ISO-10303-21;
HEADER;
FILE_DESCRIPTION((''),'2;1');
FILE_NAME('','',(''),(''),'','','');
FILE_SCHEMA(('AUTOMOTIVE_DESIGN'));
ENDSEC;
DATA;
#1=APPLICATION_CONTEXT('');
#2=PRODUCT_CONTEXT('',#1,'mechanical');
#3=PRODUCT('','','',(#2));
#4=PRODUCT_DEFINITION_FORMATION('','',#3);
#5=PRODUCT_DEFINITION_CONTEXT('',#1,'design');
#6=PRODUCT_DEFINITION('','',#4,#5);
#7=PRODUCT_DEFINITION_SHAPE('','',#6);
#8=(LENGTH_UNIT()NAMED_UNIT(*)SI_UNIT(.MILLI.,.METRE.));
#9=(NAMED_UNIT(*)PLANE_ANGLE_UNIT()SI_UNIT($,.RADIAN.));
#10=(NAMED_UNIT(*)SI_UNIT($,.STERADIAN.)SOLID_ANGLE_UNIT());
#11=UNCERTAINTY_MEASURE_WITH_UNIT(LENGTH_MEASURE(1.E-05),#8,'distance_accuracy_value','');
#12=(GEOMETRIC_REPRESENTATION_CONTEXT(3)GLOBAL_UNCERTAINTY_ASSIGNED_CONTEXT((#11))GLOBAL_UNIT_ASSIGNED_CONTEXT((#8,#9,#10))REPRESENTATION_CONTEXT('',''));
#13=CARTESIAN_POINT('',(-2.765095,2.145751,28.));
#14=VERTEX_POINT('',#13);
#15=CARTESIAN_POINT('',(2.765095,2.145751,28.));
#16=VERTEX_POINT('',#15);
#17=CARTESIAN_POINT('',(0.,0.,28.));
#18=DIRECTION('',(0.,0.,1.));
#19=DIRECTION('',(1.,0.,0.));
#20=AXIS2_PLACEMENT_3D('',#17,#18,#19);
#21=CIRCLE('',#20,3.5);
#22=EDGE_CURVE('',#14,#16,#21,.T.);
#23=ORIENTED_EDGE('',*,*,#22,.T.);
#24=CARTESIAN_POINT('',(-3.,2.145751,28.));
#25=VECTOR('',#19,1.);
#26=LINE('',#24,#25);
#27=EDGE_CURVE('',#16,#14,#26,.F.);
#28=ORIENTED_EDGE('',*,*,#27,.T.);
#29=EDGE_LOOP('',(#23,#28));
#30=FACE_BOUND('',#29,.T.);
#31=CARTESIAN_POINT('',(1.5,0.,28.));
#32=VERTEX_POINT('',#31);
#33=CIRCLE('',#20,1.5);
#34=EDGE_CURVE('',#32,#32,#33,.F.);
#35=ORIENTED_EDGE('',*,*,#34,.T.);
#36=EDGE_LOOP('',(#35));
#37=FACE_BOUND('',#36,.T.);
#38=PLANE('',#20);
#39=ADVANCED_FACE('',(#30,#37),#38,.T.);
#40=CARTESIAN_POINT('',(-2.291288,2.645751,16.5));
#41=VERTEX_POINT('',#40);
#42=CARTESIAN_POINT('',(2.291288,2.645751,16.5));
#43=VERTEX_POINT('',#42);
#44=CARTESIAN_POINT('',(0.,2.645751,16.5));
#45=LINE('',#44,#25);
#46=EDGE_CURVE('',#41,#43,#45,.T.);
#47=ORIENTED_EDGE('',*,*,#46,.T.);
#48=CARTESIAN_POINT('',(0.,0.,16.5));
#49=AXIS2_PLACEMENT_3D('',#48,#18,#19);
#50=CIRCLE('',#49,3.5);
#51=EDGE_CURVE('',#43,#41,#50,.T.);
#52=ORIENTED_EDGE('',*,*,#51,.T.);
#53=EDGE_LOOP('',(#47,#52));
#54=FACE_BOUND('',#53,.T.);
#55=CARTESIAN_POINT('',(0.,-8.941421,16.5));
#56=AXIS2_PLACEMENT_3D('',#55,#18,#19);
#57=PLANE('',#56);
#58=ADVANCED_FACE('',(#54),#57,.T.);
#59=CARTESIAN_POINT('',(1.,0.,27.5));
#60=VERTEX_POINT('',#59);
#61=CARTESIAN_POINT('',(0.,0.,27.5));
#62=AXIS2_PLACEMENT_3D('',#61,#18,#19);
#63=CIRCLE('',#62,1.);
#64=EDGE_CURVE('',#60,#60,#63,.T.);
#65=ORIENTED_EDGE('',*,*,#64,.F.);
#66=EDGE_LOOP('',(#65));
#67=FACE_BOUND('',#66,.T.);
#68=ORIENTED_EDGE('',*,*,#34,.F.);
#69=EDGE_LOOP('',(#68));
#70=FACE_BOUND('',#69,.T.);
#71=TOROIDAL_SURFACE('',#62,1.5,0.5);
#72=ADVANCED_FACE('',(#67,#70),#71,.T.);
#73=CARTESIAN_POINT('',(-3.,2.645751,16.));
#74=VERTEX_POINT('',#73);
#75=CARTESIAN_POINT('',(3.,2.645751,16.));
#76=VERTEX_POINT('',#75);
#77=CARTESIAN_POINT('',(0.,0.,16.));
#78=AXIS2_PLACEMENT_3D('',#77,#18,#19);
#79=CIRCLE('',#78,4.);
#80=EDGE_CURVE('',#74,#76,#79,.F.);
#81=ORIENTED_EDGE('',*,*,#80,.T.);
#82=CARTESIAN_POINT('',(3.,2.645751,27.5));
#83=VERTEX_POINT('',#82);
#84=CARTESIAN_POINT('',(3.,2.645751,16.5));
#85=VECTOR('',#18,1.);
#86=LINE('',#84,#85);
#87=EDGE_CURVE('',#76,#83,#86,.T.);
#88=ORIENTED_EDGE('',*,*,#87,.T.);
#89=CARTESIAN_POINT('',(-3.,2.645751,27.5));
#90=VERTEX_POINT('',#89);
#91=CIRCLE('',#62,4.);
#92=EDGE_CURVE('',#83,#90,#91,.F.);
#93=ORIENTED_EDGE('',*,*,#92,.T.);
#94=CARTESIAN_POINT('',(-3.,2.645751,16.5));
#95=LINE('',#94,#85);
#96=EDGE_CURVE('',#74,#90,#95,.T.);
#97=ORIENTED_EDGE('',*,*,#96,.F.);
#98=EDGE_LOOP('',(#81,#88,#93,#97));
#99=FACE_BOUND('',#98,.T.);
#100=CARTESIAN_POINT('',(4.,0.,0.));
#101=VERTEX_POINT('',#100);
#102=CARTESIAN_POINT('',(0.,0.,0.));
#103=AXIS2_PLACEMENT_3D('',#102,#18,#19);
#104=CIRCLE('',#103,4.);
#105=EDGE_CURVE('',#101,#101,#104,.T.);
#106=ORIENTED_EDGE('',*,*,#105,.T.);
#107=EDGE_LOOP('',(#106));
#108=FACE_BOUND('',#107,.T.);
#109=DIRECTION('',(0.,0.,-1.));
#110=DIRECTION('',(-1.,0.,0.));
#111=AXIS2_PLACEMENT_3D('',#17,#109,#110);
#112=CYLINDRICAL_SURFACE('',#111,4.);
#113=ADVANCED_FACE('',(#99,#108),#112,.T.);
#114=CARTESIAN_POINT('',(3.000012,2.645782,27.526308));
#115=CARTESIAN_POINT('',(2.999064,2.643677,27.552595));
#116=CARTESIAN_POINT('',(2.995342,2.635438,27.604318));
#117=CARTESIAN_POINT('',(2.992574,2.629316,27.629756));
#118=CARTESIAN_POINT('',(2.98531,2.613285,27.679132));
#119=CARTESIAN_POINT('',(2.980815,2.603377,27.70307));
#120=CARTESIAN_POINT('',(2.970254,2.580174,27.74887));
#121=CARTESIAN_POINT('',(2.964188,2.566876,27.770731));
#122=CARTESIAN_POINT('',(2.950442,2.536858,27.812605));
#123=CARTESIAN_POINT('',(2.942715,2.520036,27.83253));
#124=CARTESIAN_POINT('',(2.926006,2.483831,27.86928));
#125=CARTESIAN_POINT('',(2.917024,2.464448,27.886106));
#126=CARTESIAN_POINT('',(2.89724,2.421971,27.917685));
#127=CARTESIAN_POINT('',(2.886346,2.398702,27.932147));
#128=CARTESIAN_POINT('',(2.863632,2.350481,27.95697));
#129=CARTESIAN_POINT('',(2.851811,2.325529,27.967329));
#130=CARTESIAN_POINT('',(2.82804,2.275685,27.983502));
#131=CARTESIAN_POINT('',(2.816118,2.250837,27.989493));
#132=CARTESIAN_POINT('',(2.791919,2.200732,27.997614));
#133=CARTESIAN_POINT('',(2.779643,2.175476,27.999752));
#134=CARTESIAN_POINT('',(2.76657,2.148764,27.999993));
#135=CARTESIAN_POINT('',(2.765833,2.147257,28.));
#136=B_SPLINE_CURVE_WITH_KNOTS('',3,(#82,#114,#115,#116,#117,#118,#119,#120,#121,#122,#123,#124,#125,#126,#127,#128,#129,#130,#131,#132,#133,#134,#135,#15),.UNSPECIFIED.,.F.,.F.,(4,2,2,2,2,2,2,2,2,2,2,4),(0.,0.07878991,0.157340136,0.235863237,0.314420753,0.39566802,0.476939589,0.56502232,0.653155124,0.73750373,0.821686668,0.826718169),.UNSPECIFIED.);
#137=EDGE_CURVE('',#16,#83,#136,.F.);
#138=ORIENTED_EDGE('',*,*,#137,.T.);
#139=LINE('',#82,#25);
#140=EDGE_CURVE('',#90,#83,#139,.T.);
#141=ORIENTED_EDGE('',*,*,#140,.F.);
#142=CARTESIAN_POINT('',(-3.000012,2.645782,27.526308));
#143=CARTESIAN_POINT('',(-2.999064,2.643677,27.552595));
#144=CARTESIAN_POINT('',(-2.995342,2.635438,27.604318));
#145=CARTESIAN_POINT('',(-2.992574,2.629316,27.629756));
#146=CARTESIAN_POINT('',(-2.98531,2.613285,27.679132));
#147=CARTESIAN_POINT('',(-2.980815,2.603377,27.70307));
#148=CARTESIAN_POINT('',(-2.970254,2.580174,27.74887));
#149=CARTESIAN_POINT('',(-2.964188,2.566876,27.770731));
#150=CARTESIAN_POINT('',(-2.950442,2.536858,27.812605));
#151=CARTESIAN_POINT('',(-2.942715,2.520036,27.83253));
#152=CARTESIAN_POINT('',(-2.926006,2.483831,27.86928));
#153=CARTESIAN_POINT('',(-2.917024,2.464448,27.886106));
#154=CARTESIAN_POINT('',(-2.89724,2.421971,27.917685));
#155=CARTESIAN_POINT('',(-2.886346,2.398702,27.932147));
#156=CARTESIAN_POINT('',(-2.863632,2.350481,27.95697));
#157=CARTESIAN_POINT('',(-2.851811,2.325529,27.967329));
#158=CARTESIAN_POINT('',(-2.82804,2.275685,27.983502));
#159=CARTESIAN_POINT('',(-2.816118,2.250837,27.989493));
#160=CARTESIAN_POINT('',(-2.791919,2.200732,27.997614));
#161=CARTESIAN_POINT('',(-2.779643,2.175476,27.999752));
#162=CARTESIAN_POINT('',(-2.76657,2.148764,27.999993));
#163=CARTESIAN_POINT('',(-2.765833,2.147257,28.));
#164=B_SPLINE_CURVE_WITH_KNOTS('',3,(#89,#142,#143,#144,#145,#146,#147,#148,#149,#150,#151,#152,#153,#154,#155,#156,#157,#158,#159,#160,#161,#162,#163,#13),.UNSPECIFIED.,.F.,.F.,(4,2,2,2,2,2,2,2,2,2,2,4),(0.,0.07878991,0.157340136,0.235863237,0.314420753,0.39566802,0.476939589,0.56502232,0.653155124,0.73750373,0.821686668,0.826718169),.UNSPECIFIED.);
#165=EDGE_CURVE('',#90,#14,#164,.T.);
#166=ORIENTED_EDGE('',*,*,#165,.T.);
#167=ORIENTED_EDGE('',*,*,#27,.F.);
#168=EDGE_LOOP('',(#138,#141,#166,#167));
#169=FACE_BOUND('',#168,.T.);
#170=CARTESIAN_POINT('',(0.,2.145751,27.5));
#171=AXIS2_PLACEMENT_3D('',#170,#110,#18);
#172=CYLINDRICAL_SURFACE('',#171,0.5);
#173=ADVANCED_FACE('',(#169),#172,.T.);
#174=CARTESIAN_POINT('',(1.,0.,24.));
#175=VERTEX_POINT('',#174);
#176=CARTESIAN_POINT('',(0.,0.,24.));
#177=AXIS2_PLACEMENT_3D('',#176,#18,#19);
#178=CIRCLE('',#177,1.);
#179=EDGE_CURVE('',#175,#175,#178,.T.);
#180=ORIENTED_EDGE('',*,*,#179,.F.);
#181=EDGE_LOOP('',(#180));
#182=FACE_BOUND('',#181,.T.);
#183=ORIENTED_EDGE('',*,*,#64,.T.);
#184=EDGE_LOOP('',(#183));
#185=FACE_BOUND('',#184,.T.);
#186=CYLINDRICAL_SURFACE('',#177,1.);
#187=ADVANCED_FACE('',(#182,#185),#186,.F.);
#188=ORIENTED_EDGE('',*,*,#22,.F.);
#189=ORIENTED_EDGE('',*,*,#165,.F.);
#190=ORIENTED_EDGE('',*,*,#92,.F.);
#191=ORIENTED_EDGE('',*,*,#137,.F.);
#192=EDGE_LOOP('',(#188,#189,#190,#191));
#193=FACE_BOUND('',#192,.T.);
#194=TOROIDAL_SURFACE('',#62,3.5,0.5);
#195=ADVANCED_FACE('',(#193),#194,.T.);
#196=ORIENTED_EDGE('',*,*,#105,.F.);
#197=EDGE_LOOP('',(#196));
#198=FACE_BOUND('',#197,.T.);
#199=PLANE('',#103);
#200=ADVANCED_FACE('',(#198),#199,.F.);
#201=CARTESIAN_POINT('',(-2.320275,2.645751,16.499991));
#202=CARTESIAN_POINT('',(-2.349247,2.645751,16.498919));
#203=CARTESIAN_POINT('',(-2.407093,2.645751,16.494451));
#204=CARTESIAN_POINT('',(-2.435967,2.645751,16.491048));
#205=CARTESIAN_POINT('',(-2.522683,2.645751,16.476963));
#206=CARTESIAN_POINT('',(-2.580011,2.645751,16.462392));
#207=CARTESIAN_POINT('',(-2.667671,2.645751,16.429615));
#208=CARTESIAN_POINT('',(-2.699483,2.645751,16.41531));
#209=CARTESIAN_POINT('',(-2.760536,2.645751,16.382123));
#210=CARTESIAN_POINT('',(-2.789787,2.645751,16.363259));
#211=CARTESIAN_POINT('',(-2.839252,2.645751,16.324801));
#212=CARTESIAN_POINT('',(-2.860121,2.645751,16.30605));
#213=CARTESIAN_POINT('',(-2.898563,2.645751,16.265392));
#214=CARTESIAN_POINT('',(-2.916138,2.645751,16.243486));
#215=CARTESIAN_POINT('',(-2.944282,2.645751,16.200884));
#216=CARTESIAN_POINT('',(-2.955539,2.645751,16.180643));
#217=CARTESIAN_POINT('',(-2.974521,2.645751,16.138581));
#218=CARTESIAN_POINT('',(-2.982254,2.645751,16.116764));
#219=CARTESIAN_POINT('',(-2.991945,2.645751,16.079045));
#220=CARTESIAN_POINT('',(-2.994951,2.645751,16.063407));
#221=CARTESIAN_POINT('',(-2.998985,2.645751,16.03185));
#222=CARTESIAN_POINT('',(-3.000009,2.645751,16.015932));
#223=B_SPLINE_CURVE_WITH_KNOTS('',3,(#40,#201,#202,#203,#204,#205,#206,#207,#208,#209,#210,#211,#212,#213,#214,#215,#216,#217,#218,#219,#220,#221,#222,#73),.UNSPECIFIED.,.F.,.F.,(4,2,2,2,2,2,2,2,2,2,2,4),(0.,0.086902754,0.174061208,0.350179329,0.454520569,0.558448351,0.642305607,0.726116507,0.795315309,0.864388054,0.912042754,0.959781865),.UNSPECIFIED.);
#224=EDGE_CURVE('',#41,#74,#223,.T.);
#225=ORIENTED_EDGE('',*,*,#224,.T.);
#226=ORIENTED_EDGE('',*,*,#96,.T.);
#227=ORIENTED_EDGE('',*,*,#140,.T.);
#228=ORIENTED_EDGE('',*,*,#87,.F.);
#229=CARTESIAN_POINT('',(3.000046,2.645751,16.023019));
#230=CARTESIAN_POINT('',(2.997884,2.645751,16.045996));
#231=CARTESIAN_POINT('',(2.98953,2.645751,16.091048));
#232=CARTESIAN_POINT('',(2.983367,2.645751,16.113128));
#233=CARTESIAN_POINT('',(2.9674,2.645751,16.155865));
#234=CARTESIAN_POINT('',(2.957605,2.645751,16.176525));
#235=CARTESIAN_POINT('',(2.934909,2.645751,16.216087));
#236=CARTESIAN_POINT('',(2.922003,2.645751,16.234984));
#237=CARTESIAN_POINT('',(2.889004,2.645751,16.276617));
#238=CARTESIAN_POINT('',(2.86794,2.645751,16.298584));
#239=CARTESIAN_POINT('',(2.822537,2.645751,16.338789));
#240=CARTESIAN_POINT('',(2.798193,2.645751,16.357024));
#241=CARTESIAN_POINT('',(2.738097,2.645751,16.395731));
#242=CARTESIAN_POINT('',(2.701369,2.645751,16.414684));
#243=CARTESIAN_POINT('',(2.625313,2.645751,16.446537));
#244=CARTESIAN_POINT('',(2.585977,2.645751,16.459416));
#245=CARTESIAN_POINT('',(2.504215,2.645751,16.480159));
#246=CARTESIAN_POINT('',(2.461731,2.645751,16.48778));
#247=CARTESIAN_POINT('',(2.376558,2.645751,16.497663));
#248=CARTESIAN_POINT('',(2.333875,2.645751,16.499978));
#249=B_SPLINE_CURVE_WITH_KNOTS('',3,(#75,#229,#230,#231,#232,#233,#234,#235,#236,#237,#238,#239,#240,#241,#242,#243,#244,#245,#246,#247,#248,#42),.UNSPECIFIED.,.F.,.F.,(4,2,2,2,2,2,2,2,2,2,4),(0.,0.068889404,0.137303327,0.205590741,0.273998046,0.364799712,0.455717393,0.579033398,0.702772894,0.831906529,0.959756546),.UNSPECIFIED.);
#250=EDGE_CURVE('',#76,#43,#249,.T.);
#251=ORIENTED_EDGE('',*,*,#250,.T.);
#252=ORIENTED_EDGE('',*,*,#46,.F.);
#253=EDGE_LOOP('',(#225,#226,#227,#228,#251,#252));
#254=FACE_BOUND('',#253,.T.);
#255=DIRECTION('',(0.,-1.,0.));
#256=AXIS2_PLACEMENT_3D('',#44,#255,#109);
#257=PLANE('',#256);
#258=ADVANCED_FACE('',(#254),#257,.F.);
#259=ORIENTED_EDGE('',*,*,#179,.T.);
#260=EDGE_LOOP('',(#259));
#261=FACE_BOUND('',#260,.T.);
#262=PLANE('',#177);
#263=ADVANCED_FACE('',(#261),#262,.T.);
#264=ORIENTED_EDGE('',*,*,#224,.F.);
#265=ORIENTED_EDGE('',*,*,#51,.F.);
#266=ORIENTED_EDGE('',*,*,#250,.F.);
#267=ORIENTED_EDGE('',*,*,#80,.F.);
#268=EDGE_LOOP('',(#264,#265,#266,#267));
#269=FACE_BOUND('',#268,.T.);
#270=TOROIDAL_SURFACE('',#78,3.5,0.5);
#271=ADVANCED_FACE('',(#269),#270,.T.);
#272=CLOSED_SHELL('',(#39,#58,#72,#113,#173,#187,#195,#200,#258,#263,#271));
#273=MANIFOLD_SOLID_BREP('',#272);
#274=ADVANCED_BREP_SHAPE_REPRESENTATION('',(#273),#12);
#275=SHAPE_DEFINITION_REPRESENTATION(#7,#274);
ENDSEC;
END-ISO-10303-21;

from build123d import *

# Parameters (mm, degrees)
SKETCH1_R           = 4
BOSS_EXTRUDE1_DEPTH = 28
CUT_EXTRUDE1_DEPTH  = 11.5
SKETCH3_R           = 1
CUT_EXTRUDE2_DEPTH  = 4
FILLET1_R           = 0.5


with BuildPart() as part:
    # Sketch1 → Boss-Extrude1 (new body)
    with BuildSketch(Plane.XY):
        Circle(SKETCH1_R)
    extrude(amount=BOSS_EXTRUDE1_DEPTH)

    # Sketch2 → Cut-Extrude1 (cut)
    with BuildSketch(Plane.XY.offset(28)):
        with BuildLine():
            Line((-3, 2.645751311), (3, 2.645751311))
            ThreePointArc((3, 2.645751311), (0, 4), (-3, 2.645751311))
        make_face()
    extrude(amount=-CUT_EXTRUDE1_DEPTH, mode=Mode.SUBTRACT)

    # Sketch3 → Cut-Extrude2 (cut)
    with BuildSketch(Plane.XY.offset(28)):
        Circle(SKETCH3_R)
    extrude(amount=-CUT_EXTRUDE2_DEPTH, mode=Mode.SUBTRACT)

    # Fillet1
    fillet1_edges = [part.edges().sort_by_distance(p)[0] for p in [
        (-1, 0, 28),
        (-1.414213562, -3.741657387, 28),
        (0, 4, 16.5),
        (0, 2.645751311, 28),
    ]]
    fillet(fillet1_edges, radius=FILLET1_R)


solid = part.part
